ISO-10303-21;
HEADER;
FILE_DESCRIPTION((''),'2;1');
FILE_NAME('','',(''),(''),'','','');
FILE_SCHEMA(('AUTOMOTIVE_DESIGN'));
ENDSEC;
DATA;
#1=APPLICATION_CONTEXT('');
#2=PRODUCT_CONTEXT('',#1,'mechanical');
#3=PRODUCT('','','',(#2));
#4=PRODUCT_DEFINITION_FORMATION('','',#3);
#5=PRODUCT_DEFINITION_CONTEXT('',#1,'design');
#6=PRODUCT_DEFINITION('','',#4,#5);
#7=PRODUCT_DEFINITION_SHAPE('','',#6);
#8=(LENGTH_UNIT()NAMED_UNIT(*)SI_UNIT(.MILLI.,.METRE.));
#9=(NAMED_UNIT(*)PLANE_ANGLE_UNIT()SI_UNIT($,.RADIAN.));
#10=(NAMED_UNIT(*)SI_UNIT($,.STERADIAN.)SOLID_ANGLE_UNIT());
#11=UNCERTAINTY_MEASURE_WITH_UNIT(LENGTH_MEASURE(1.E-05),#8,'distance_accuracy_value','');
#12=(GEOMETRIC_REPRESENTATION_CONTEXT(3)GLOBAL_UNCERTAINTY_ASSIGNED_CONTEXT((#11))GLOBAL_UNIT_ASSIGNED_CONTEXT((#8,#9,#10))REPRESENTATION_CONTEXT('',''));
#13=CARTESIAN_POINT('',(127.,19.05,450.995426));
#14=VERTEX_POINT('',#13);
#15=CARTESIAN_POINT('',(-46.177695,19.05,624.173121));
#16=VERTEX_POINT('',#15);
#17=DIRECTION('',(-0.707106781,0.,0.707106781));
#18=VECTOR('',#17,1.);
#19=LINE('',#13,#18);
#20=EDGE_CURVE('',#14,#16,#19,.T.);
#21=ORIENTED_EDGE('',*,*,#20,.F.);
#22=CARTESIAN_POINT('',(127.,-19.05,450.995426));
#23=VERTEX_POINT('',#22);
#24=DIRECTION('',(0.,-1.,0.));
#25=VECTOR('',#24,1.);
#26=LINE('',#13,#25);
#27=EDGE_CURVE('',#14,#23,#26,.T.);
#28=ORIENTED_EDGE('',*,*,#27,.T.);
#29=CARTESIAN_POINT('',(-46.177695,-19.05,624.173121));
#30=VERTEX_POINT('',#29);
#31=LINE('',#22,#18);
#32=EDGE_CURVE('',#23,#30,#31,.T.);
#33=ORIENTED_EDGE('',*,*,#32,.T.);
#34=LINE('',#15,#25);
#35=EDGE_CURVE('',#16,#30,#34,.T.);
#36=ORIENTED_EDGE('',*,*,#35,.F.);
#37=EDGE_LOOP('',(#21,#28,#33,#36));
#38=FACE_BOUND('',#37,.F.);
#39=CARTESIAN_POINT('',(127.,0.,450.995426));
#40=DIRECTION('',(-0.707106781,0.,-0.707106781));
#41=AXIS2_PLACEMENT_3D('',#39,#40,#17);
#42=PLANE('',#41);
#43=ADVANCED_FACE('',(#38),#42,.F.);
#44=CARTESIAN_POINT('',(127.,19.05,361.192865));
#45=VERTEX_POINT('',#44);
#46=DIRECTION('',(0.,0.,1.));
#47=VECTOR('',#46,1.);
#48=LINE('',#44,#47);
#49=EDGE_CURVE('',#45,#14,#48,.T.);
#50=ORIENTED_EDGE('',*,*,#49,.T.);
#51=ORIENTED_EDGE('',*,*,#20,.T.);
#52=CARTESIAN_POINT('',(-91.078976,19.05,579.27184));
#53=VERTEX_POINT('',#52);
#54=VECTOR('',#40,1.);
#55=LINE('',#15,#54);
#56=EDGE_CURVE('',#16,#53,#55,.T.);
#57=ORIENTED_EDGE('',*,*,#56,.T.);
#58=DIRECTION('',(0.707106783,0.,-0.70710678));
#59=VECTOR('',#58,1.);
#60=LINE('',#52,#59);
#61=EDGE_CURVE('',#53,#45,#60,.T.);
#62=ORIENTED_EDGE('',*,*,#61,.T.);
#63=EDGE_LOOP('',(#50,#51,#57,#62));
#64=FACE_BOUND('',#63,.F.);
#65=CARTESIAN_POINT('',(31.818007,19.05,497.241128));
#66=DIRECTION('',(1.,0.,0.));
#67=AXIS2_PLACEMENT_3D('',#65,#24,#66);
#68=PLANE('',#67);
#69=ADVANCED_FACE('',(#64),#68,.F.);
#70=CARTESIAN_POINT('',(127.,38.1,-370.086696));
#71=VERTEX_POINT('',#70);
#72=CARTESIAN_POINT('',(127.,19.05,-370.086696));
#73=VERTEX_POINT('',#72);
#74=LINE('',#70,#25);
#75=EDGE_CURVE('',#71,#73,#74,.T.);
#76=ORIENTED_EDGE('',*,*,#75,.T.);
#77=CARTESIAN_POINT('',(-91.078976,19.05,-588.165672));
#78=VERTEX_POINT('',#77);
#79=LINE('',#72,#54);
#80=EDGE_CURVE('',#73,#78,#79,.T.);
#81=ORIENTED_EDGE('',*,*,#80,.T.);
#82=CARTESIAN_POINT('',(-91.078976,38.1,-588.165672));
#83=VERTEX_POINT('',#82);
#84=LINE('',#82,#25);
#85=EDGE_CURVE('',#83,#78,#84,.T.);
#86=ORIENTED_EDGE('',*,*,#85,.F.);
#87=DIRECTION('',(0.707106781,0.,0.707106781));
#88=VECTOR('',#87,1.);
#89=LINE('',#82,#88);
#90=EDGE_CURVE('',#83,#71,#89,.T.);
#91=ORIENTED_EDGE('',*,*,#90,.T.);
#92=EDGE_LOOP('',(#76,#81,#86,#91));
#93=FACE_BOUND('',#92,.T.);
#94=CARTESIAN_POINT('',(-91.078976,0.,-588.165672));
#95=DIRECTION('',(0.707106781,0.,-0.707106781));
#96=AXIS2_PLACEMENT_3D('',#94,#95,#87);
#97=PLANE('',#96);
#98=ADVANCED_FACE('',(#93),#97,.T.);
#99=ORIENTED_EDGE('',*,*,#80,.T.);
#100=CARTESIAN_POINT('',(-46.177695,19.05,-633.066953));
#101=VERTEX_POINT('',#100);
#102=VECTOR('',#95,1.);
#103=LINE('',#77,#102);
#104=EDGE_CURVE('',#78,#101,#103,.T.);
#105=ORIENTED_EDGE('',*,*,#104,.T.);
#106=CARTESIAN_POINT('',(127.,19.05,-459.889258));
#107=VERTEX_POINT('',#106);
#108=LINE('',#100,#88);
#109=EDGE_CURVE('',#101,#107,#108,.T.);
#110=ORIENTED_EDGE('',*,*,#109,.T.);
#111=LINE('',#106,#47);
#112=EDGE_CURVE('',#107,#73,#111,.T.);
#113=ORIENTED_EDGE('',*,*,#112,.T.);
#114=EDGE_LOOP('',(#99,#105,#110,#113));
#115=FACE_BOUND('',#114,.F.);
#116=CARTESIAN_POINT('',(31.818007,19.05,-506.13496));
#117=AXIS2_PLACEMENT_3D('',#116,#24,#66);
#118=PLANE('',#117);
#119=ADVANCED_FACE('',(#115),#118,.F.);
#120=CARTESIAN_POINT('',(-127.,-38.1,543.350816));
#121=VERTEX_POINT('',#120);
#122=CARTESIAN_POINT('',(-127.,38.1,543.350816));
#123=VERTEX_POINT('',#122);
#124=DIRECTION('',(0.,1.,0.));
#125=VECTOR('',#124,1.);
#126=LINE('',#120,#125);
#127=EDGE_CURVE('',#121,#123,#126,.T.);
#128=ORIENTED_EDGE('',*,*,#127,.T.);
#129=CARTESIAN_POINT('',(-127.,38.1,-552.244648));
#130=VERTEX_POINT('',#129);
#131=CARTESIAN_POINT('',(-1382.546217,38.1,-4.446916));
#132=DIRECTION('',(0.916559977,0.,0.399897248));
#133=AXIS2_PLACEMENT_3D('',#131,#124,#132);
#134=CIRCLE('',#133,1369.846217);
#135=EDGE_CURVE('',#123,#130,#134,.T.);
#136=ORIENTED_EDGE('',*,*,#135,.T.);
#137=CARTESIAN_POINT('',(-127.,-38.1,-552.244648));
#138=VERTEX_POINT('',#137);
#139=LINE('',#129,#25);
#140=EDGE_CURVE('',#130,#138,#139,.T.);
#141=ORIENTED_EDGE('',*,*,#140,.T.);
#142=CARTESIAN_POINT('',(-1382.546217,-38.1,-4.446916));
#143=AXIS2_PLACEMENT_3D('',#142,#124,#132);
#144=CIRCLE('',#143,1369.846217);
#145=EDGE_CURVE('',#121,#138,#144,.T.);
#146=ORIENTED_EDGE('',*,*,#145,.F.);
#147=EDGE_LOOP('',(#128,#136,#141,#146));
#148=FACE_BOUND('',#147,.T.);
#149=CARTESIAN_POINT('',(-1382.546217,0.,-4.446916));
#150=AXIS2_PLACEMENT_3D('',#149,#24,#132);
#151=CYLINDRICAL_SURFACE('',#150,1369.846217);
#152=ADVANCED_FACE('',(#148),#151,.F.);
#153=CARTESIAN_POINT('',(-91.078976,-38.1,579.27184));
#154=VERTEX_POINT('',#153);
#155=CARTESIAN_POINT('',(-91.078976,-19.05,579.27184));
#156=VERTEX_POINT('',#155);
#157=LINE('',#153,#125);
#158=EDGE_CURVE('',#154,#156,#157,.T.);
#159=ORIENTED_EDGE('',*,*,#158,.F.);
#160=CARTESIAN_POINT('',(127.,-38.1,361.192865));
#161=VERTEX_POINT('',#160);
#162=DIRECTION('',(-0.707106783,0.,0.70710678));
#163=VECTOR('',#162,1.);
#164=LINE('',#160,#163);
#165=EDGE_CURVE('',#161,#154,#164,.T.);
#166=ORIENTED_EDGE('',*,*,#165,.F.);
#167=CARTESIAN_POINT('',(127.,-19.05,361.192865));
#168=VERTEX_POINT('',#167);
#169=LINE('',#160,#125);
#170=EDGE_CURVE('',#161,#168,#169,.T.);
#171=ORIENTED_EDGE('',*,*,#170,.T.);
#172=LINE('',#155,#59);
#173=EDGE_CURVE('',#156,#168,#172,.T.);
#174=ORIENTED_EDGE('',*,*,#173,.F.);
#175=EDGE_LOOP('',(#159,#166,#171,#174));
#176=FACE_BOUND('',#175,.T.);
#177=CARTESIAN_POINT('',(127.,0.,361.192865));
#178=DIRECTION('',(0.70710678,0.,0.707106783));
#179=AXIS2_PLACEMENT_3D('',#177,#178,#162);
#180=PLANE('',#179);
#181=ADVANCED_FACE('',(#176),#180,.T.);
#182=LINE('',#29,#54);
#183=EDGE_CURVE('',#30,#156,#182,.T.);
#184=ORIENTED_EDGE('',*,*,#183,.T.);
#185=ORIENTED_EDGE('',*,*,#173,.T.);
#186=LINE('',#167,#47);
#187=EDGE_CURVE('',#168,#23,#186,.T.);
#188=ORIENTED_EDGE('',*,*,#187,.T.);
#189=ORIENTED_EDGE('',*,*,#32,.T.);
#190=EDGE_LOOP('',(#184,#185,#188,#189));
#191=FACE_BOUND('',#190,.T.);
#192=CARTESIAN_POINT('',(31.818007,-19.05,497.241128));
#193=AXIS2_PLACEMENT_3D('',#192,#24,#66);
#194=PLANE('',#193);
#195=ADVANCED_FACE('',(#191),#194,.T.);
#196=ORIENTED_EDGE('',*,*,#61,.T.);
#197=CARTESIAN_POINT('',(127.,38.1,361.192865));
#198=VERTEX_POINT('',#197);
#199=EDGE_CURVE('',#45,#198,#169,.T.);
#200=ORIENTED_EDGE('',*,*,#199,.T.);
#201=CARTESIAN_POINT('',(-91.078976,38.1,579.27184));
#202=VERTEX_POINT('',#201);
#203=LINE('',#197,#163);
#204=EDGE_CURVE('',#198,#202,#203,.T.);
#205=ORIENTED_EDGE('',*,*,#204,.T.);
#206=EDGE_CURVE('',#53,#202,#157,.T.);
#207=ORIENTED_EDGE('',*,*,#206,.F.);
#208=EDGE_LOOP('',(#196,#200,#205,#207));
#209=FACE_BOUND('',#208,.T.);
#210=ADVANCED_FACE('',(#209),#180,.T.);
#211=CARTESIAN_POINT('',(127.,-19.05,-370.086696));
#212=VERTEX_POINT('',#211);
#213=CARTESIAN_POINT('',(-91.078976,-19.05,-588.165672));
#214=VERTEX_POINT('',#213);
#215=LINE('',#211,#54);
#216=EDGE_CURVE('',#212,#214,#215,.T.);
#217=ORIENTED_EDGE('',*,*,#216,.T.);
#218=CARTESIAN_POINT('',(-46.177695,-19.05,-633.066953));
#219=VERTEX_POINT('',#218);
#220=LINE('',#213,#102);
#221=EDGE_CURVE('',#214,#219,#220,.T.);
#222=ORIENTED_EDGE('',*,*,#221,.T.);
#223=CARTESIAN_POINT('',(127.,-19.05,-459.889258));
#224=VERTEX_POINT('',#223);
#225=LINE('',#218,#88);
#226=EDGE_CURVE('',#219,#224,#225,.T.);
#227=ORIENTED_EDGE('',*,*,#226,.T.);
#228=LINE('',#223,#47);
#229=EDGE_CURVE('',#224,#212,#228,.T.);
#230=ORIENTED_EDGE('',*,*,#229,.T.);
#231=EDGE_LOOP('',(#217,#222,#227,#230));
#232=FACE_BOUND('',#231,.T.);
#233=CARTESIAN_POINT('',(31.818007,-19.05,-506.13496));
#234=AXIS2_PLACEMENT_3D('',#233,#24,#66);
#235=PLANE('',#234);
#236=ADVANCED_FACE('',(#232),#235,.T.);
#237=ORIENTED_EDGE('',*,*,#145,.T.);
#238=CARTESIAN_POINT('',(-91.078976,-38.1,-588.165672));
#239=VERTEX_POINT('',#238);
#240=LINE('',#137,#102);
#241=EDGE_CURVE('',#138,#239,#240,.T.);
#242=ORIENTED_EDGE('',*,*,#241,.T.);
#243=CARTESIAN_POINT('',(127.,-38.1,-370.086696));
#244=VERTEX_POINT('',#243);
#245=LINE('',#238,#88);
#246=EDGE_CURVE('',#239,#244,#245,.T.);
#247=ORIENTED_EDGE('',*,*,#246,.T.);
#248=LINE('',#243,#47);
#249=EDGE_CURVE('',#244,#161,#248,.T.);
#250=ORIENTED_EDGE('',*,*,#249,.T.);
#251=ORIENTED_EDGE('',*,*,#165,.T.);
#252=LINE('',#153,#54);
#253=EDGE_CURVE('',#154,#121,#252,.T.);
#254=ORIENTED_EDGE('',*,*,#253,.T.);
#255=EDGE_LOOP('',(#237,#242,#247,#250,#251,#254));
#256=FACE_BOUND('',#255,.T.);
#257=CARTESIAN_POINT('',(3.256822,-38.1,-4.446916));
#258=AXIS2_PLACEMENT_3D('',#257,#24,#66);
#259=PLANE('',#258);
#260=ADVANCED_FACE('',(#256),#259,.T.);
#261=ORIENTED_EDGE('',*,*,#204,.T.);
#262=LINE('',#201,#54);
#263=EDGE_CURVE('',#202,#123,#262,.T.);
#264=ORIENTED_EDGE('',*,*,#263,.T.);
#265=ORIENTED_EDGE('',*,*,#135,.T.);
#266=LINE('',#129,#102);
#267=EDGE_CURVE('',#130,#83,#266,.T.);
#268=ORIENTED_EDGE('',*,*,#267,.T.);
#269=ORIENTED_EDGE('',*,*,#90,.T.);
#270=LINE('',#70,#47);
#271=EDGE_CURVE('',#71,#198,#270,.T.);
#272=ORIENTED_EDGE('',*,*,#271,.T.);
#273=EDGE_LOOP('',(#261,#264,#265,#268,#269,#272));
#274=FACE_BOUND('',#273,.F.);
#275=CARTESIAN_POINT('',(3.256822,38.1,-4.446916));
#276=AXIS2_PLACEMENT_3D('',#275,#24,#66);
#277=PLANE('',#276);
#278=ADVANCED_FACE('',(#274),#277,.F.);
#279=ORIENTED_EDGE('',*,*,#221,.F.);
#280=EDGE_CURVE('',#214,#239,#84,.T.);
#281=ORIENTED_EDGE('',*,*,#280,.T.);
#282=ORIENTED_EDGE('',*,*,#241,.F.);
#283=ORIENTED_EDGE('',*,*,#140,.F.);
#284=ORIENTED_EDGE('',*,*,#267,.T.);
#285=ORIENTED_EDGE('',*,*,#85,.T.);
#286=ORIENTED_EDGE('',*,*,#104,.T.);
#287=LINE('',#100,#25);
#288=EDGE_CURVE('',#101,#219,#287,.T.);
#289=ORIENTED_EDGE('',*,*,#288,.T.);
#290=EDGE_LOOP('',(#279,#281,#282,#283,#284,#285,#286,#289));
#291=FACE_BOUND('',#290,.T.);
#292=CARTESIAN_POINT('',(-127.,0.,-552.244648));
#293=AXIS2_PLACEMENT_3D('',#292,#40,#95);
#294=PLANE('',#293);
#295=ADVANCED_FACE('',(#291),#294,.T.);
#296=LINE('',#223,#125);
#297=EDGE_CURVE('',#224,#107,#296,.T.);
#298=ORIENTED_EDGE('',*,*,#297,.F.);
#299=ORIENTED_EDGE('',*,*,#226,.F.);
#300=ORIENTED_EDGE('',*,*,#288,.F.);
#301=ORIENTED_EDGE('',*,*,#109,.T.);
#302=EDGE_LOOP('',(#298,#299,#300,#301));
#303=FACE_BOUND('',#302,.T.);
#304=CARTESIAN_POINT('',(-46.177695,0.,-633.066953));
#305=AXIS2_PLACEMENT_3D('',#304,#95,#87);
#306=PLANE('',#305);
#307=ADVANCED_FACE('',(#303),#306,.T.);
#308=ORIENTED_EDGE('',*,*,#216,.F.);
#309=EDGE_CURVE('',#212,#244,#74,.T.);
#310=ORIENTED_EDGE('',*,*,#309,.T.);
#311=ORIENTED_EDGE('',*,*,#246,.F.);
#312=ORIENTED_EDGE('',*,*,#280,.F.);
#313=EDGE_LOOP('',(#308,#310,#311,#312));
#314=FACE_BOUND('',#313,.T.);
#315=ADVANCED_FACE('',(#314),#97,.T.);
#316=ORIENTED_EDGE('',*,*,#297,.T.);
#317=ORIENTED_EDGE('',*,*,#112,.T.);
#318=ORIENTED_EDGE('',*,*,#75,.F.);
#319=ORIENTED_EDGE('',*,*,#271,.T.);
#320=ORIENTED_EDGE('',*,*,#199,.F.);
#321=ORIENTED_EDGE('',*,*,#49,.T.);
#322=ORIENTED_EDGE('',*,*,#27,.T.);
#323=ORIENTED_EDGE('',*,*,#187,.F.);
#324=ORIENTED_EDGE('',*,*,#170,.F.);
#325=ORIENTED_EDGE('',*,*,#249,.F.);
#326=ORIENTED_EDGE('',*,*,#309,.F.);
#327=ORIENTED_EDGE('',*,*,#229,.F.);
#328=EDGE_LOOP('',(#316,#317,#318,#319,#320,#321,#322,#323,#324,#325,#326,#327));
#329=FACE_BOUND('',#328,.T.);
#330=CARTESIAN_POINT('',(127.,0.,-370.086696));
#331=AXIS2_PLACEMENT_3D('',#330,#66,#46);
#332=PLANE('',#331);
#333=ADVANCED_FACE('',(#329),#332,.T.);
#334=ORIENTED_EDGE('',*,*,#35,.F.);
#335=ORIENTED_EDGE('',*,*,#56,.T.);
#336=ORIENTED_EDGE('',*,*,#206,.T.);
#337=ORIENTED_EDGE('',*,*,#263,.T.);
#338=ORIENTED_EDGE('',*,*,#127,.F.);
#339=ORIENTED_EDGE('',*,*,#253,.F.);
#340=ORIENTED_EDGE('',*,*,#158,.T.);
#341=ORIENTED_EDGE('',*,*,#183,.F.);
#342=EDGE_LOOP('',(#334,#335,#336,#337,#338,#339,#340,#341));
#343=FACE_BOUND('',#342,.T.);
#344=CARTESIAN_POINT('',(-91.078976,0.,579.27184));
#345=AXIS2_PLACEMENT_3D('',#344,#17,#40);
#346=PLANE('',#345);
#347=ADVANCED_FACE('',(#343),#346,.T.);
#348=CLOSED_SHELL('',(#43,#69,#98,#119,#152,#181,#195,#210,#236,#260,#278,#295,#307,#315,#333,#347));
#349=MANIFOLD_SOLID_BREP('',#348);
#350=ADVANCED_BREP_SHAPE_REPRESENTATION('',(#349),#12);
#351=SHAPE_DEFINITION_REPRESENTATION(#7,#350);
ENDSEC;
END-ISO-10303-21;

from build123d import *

# Parameters (mm, degrees)
F1_DEPTH = 38.1
F2_DEPTH = 19.05


with BuildPart() as f1:
    # F0 (on Front) → F1 (new body, symmetric)
    with BuildSketch(Plane.XZ):
        with BuildLine():
            Line((127, 289.350816), (-127, 543.350816))
            ThreePointArc((-127, 543.350816), (-12.7, -4.446916), (-127, -552.244648))
            Line((-127, -552.244648), (127, -298.244648))
            Line((127, -298.244648), (127, 289.350816))
        make_face()
        Polygon((127, -298.244648), (-127, -552.244648), (-100.059232, -579.185416), (127, -352.126184), align=None)
        Polygon((-100.059232, 570.291584), (-127, 543.350816), (127, 289.350816), (127, 343.232352), align=None)
        Polygon((-91.078976, 579.27184), (-100.059232, 570.291584), (127, 343.232352), (127, 361.192865), align=None)
        Polygon((127, -352.126184), (-100.059232, -579.185416), (-91.078976, -588.165672), (127, -370.086696), align=None)
    extrude(amount=F1_DEPTH, both=True)

    # F0 (on Front) → F2 (join, symmetric)
    with BuildSketch(Plane.XZ):
        Polygon((127, 361.192865), (127, 450.995426), (-46.177695, 624.173121), (-91.078976, 579.27184), align=None)
        Polygon((127, -370.086696), (-91.078976, -588.165672), (-46.177695, -633.066953), (127, -459.889258), align=None)
    extrude(amount=F2_DEPTH, both=True)


solid = f1.part
